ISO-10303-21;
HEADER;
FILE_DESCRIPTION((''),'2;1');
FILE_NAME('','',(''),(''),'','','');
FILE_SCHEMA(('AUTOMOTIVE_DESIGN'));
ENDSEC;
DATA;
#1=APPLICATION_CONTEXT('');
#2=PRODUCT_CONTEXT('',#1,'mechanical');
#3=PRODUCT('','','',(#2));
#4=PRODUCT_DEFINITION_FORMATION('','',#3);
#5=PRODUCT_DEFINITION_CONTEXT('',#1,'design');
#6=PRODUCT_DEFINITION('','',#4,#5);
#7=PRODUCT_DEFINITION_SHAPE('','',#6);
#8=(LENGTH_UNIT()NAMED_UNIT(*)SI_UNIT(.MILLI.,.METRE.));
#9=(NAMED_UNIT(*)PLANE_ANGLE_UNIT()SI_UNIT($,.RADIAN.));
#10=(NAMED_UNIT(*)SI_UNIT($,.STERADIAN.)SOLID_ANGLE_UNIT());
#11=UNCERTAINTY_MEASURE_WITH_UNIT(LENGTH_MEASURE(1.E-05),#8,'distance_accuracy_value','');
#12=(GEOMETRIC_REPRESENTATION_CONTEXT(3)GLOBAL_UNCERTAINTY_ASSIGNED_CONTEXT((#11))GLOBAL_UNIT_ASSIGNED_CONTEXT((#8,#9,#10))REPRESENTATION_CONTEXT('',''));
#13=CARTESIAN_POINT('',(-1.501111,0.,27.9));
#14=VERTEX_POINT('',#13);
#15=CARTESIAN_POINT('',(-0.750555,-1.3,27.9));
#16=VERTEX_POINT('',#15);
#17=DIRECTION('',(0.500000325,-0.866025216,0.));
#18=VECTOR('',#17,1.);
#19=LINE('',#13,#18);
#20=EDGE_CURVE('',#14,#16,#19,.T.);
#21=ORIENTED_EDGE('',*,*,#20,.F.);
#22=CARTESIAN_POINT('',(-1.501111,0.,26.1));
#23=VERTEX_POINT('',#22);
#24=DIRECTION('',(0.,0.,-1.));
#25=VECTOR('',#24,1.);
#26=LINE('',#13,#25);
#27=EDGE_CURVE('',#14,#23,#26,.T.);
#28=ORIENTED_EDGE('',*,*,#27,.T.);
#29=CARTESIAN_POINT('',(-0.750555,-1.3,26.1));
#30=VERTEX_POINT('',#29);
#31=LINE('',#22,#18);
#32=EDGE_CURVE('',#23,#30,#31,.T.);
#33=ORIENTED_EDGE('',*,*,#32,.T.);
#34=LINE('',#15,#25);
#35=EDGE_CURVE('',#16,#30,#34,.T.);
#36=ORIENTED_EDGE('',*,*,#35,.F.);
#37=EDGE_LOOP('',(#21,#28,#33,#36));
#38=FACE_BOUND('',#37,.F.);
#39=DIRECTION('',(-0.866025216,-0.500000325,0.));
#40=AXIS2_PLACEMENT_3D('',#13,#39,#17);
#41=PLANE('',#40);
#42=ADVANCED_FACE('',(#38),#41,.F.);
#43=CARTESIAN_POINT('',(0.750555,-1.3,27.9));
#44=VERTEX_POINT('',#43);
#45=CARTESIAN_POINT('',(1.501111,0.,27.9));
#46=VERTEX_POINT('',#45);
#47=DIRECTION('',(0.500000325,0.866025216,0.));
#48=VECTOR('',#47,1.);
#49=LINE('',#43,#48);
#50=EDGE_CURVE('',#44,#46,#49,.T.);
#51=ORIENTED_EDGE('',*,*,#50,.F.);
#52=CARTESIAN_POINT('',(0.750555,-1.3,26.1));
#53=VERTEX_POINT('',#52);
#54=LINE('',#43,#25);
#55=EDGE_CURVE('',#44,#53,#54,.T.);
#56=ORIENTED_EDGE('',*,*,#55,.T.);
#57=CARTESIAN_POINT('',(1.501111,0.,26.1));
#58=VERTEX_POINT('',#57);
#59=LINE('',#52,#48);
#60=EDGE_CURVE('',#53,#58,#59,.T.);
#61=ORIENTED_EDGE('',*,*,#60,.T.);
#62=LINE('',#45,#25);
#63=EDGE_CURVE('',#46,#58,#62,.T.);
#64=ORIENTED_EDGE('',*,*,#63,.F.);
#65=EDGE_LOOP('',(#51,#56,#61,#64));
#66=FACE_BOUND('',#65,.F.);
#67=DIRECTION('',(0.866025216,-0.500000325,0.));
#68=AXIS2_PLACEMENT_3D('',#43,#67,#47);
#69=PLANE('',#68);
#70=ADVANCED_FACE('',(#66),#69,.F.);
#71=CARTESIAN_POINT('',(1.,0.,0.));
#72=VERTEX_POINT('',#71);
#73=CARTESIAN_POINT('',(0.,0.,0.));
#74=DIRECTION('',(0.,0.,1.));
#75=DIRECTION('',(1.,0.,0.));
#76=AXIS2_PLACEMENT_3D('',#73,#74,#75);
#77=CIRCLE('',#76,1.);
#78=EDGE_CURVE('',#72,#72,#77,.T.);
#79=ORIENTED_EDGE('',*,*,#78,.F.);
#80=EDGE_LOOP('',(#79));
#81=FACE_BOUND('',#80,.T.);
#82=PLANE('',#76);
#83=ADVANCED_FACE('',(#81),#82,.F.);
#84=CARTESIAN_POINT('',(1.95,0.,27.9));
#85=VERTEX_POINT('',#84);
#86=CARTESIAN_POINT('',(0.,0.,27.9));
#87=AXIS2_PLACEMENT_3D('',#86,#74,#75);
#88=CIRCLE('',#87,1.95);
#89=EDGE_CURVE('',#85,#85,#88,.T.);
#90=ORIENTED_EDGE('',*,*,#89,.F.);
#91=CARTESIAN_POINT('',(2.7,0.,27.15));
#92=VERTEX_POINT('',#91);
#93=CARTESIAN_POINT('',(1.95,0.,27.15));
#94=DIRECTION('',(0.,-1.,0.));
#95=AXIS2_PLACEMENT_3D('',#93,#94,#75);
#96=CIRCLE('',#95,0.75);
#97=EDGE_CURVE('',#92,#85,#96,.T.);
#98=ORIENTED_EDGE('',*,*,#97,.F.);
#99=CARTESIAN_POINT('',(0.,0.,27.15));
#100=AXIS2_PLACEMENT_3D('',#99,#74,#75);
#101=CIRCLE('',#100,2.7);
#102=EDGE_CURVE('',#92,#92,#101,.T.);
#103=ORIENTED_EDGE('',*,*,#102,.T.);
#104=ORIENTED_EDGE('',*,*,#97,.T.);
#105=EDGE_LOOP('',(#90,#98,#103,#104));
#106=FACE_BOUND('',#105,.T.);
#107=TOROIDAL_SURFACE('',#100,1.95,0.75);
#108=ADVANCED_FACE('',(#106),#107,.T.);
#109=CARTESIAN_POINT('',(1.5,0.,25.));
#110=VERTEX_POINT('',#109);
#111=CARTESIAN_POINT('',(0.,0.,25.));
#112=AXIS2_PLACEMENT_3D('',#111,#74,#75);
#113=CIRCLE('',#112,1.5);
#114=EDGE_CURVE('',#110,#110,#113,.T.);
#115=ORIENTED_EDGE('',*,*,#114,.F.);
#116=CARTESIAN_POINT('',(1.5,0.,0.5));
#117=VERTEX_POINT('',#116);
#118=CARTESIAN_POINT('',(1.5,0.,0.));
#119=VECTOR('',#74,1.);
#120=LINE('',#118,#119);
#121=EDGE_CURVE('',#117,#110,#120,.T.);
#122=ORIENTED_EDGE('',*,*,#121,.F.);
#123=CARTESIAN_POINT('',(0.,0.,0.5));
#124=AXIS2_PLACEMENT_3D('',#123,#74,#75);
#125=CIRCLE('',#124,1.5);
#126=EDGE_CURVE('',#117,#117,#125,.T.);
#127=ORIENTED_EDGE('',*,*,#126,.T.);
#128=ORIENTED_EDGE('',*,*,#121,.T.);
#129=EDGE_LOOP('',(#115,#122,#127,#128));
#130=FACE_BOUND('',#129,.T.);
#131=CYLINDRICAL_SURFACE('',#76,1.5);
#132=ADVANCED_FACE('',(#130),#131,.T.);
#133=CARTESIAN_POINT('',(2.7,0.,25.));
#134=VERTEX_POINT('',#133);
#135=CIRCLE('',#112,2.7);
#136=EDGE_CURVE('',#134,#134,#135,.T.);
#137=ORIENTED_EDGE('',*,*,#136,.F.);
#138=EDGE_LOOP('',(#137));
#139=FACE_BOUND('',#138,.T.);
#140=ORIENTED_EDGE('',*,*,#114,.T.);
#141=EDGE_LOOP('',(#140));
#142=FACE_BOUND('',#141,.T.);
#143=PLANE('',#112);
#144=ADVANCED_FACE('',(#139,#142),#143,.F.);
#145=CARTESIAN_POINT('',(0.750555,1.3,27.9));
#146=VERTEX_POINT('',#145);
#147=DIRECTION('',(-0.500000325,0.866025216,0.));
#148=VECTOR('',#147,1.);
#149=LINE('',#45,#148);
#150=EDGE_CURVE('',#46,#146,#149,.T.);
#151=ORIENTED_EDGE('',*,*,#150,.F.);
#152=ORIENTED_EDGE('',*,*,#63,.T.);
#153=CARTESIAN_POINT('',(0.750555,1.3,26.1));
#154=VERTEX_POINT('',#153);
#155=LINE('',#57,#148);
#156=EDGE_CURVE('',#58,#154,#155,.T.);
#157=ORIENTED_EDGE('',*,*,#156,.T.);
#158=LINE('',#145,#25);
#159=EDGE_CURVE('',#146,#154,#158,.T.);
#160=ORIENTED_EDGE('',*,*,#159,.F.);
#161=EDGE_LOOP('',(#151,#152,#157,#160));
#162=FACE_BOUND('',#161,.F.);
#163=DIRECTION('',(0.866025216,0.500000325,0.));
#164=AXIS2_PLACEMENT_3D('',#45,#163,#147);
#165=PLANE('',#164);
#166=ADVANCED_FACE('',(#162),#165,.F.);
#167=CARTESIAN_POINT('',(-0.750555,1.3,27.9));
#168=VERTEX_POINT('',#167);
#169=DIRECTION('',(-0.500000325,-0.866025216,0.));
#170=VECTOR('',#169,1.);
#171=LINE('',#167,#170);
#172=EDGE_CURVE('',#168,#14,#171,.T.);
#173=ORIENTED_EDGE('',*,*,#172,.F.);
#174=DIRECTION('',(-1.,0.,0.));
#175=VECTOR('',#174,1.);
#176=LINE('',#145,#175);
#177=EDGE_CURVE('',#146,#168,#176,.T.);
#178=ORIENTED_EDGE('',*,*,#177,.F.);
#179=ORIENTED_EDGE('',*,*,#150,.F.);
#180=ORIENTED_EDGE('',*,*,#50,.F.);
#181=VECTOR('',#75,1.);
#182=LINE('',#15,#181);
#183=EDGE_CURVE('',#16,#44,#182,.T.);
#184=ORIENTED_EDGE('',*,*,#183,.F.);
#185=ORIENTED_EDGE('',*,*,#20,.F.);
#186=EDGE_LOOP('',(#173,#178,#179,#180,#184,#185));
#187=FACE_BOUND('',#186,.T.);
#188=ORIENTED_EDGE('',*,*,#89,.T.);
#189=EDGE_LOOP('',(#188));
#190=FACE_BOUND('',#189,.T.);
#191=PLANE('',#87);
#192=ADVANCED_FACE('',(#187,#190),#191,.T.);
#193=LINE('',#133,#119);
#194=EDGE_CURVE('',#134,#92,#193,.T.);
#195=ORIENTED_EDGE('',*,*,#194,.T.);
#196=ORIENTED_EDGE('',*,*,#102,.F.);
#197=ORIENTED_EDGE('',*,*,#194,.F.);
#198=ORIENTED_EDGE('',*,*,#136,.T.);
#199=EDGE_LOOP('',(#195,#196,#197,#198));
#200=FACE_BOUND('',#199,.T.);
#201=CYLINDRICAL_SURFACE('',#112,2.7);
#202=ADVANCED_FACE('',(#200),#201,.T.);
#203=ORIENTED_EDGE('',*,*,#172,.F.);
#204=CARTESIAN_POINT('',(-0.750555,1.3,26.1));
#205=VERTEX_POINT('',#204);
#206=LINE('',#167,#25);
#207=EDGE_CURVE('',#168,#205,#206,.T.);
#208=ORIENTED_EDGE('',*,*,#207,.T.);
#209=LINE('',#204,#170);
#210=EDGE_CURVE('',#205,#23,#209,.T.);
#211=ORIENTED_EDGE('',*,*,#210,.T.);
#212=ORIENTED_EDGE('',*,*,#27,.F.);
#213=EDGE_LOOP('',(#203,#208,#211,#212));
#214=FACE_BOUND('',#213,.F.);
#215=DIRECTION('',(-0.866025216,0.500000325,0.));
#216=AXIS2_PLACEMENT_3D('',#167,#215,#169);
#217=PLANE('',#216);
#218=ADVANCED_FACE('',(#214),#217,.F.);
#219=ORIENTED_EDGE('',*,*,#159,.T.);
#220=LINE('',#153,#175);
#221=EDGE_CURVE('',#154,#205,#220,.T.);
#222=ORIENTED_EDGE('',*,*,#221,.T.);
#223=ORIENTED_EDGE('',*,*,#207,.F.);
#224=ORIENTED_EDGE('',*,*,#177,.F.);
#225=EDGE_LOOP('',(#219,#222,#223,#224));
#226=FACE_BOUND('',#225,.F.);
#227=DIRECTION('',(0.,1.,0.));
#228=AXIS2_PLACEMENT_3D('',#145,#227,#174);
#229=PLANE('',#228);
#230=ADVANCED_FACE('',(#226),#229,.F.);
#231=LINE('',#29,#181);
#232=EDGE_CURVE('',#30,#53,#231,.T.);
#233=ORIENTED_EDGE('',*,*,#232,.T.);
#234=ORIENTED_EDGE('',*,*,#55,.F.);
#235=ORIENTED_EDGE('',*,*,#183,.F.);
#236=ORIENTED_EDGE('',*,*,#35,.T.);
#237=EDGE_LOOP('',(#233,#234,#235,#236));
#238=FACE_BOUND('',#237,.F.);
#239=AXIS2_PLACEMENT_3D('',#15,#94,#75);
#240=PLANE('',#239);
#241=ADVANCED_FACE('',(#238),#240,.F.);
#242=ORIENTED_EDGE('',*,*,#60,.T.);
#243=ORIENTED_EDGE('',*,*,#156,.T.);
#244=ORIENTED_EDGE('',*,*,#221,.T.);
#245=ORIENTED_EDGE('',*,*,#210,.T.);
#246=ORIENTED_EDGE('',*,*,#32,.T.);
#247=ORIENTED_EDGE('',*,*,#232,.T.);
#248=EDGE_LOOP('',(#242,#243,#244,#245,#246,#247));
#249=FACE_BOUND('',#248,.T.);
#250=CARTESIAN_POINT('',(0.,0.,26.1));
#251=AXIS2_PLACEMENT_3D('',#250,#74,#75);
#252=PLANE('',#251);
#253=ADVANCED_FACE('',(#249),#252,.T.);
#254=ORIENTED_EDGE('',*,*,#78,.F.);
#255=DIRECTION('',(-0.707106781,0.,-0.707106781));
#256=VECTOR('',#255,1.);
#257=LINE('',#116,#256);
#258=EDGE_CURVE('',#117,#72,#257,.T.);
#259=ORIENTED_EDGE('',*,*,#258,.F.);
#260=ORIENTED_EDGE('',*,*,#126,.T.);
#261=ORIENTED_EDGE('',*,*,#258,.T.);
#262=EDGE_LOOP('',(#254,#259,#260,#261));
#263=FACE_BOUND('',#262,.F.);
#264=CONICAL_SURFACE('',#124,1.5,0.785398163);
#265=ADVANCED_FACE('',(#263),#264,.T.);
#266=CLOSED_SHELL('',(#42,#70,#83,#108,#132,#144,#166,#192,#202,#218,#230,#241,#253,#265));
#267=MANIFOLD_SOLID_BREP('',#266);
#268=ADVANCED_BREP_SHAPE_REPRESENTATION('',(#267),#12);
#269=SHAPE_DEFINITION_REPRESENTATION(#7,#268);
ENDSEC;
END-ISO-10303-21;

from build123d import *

# Parameters (mm, degrees)
F3_DEPTH = 1.8
F4_R     = 0.75
F5_SIZE  = 0.5


with BuildPart() as f1:
    # F0 (on Front) → F1 (revolve)
    with BuildSketch(Plane.XZ):
        Polygon((0, 27.9), (0, 0), (1.5, 0), (1.5, 25), (2.7, 25), (2.7, 27.9), align=None)
    revolve(axis=Axis((0, 0, 13.95), (0, 0, 1)))

    # F2 (on face) → F3 (cut)
    with BuildSketch(Plane.XY.offset(27.9)):
        Polygon((0.750555, 1.3), (-0.750555, 1.3), (-1.501111, 0), (-0.750555, -1.3), (0.750555, -1.3), (1.501111, 0), align=None)
    extrude(amount=-F3_DEPTH, mode=Mode.SUBTRACT)

    # F4
    f4_edges = [f1.edges().sort_by_distance(p)[0] for p in [
        (-2.7, 0, 27.9),
    ]]
    fillet(f4_edges, radius=F4_R)

    # F5
    f5_edges = [f1.edges().sort_by_distance(p)[0] for p in [
        (-1.5, 0, 0),
    ]]
    chamfer(f5_edges, length=F5_SIZE)


solid = f1.part
